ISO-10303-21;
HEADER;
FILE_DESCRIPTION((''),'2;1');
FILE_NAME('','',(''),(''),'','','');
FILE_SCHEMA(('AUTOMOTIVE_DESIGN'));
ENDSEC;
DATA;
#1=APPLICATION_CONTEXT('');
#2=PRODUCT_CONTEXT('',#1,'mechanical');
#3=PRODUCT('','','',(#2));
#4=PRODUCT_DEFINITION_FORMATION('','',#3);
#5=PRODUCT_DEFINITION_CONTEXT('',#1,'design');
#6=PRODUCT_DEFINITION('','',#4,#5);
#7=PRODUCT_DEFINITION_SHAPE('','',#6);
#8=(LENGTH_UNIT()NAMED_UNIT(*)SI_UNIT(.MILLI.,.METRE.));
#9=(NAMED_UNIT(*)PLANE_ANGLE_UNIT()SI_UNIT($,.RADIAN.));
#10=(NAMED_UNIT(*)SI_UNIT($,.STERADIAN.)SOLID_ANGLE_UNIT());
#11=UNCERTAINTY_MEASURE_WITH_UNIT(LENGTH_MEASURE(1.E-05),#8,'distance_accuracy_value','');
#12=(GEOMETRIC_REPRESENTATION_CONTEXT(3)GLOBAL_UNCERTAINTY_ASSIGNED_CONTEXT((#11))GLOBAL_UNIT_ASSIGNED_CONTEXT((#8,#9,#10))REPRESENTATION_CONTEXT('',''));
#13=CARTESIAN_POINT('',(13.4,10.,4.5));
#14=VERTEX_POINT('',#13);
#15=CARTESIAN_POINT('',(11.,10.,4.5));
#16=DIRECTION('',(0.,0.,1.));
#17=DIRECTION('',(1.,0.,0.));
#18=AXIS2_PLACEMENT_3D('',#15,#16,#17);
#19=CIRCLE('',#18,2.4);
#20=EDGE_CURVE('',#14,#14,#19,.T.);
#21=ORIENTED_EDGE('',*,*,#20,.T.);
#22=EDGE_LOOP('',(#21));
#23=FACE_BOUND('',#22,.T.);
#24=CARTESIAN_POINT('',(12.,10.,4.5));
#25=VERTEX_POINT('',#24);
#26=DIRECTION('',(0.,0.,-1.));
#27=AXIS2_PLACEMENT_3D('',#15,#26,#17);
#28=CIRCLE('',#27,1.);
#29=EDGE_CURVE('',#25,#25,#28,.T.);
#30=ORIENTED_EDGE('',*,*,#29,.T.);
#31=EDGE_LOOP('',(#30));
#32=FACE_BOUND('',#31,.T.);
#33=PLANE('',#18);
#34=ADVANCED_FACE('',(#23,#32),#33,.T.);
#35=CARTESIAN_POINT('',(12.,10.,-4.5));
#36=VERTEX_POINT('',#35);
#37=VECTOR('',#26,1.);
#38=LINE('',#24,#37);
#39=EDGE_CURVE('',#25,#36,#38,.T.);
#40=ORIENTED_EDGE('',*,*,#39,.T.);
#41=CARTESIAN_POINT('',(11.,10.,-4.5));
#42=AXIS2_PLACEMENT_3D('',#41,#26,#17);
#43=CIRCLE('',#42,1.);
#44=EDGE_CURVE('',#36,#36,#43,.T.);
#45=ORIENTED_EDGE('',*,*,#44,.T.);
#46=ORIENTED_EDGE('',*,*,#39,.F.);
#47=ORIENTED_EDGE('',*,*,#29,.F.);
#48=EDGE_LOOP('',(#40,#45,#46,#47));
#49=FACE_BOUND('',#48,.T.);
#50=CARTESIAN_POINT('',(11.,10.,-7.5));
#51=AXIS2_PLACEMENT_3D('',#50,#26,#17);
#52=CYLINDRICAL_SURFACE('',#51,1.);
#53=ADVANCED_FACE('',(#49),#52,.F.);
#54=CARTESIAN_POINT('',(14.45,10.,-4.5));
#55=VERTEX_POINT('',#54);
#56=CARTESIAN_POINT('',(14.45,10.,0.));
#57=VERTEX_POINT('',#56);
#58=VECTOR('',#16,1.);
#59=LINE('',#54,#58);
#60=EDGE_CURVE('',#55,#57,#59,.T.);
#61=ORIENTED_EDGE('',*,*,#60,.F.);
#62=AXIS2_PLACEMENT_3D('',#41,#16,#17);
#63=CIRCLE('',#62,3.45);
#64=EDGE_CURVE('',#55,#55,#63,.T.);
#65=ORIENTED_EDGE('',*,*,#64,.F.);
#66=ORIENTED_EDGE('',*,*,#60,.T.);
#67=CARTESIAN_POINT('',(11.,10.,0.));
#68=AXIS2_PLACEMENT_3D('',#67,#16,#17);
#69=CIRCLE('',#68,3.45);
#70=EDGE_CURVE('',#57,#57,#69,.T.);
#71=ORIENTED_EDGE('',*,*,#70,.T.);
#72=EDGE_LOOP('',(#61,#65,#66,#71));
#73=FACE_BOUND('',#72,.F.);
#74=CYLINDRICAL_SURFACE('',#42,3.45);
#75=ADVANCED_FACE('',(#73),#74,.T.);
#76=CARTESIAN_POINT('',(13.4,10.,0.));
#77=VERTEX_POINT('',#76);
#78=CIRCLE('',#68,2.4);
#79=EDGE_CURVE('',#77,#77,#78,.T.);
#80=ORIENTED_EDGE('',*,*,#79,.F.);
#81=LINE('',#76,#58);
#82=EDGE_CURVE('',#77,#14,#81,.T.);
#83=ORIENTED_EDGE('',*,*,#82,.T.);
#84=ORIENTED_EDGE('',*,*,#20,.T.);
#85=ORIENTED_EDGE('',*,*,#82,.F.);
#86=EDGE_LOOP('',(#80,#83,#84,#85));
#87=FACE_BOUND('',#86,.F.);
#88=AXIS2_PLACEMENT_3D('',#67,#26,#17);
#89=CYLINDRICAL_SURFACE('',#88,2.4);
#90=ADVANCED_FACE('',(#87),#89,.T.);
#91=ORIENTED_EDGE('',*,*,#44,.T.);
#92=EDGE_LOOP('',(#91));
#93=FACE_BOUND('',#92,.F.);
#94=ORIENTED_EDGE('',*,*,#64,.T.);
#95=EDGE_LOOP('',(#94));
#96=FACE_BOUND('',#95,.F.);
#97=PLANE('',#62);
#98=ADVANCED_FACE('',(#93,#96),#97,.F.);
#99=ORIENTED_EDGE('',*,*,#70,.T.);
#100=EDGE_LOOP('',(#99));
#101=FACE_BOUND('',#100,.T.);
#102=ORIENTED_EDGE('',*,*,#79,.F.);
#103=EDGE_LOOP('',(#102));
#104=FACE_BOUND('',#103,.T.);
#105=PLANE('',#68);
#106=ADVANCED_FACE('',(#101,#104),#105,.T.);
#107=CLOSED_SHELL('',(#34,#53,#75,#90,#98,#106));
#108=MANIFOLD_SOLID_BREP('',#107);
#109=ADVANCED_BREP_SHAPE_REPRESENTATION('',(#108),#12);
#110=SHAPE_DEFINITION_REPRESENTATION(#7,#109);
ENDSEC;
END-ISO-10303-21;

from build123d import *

# Parameters (mm, degrees)
CYLINDER003006_R     = 1
CYLINDER003006_DEPTH = 20
CYLINDER003003_R     = 2.4
CYLINDER003003_DEPTH = 4.5
CYLINDER003005_R     = 3.45
CYLINDER003005_DEPTH = 4.5


with BuildPart() as cylinder007:
    # Cylinder003006 → Cylinder003006 (new body)
    with BuildSketch(Plane(origin=(11, 10, -8), x_dir=(1, 0, 0), z_dir=(0, 0, 1))):
        Circle(CYLINDER003006_R)
    extrude(amount=CYLINDER003006_DEPTH)


with BuildPart() as cut002002002013:
    # Cylinder003003 → Cylinder003003 (new body)
    with BuildSketch(Plane(origin=(11, 10, -0.5), x_dir=(1, 0, 0), z_dir=(0, 0, 1))):
        Circle(CYLINDER003003_R)
    extrude(amount=CYLINDER003003_DEPTH)

    # Cut002002002013: cut Cylinder007
    add(cylinder007.part, mode=Mode.SUBTRACT)


with BuildPart() as propeller_hub_old:
    # Cylinder003005 → Cylinder003005 (new body)
    with BuildSketch(Plane(origin=(11, 10, -5), x_dir=(1, 0, 0), z_dir=(0, 0, 1))):
        Circle(CYLINDER003005_R)
    extrude(amount=CYLINDER003005_DEPTH)

    # Cut002002002012: cut Cylinder007
    add(cylinder007.part, mode=Mode.SUBTRACT)

    # Connect006: union Cut002002002013
    add(cut002002002013.part)


with BuildPart() as propeller_hub_old_1:
    # Connect006 placement: moved
    add(propeller_hub_old.part.moved(Location((0, 0, 0.5))))


solid = propeller_hub_old_1.part
